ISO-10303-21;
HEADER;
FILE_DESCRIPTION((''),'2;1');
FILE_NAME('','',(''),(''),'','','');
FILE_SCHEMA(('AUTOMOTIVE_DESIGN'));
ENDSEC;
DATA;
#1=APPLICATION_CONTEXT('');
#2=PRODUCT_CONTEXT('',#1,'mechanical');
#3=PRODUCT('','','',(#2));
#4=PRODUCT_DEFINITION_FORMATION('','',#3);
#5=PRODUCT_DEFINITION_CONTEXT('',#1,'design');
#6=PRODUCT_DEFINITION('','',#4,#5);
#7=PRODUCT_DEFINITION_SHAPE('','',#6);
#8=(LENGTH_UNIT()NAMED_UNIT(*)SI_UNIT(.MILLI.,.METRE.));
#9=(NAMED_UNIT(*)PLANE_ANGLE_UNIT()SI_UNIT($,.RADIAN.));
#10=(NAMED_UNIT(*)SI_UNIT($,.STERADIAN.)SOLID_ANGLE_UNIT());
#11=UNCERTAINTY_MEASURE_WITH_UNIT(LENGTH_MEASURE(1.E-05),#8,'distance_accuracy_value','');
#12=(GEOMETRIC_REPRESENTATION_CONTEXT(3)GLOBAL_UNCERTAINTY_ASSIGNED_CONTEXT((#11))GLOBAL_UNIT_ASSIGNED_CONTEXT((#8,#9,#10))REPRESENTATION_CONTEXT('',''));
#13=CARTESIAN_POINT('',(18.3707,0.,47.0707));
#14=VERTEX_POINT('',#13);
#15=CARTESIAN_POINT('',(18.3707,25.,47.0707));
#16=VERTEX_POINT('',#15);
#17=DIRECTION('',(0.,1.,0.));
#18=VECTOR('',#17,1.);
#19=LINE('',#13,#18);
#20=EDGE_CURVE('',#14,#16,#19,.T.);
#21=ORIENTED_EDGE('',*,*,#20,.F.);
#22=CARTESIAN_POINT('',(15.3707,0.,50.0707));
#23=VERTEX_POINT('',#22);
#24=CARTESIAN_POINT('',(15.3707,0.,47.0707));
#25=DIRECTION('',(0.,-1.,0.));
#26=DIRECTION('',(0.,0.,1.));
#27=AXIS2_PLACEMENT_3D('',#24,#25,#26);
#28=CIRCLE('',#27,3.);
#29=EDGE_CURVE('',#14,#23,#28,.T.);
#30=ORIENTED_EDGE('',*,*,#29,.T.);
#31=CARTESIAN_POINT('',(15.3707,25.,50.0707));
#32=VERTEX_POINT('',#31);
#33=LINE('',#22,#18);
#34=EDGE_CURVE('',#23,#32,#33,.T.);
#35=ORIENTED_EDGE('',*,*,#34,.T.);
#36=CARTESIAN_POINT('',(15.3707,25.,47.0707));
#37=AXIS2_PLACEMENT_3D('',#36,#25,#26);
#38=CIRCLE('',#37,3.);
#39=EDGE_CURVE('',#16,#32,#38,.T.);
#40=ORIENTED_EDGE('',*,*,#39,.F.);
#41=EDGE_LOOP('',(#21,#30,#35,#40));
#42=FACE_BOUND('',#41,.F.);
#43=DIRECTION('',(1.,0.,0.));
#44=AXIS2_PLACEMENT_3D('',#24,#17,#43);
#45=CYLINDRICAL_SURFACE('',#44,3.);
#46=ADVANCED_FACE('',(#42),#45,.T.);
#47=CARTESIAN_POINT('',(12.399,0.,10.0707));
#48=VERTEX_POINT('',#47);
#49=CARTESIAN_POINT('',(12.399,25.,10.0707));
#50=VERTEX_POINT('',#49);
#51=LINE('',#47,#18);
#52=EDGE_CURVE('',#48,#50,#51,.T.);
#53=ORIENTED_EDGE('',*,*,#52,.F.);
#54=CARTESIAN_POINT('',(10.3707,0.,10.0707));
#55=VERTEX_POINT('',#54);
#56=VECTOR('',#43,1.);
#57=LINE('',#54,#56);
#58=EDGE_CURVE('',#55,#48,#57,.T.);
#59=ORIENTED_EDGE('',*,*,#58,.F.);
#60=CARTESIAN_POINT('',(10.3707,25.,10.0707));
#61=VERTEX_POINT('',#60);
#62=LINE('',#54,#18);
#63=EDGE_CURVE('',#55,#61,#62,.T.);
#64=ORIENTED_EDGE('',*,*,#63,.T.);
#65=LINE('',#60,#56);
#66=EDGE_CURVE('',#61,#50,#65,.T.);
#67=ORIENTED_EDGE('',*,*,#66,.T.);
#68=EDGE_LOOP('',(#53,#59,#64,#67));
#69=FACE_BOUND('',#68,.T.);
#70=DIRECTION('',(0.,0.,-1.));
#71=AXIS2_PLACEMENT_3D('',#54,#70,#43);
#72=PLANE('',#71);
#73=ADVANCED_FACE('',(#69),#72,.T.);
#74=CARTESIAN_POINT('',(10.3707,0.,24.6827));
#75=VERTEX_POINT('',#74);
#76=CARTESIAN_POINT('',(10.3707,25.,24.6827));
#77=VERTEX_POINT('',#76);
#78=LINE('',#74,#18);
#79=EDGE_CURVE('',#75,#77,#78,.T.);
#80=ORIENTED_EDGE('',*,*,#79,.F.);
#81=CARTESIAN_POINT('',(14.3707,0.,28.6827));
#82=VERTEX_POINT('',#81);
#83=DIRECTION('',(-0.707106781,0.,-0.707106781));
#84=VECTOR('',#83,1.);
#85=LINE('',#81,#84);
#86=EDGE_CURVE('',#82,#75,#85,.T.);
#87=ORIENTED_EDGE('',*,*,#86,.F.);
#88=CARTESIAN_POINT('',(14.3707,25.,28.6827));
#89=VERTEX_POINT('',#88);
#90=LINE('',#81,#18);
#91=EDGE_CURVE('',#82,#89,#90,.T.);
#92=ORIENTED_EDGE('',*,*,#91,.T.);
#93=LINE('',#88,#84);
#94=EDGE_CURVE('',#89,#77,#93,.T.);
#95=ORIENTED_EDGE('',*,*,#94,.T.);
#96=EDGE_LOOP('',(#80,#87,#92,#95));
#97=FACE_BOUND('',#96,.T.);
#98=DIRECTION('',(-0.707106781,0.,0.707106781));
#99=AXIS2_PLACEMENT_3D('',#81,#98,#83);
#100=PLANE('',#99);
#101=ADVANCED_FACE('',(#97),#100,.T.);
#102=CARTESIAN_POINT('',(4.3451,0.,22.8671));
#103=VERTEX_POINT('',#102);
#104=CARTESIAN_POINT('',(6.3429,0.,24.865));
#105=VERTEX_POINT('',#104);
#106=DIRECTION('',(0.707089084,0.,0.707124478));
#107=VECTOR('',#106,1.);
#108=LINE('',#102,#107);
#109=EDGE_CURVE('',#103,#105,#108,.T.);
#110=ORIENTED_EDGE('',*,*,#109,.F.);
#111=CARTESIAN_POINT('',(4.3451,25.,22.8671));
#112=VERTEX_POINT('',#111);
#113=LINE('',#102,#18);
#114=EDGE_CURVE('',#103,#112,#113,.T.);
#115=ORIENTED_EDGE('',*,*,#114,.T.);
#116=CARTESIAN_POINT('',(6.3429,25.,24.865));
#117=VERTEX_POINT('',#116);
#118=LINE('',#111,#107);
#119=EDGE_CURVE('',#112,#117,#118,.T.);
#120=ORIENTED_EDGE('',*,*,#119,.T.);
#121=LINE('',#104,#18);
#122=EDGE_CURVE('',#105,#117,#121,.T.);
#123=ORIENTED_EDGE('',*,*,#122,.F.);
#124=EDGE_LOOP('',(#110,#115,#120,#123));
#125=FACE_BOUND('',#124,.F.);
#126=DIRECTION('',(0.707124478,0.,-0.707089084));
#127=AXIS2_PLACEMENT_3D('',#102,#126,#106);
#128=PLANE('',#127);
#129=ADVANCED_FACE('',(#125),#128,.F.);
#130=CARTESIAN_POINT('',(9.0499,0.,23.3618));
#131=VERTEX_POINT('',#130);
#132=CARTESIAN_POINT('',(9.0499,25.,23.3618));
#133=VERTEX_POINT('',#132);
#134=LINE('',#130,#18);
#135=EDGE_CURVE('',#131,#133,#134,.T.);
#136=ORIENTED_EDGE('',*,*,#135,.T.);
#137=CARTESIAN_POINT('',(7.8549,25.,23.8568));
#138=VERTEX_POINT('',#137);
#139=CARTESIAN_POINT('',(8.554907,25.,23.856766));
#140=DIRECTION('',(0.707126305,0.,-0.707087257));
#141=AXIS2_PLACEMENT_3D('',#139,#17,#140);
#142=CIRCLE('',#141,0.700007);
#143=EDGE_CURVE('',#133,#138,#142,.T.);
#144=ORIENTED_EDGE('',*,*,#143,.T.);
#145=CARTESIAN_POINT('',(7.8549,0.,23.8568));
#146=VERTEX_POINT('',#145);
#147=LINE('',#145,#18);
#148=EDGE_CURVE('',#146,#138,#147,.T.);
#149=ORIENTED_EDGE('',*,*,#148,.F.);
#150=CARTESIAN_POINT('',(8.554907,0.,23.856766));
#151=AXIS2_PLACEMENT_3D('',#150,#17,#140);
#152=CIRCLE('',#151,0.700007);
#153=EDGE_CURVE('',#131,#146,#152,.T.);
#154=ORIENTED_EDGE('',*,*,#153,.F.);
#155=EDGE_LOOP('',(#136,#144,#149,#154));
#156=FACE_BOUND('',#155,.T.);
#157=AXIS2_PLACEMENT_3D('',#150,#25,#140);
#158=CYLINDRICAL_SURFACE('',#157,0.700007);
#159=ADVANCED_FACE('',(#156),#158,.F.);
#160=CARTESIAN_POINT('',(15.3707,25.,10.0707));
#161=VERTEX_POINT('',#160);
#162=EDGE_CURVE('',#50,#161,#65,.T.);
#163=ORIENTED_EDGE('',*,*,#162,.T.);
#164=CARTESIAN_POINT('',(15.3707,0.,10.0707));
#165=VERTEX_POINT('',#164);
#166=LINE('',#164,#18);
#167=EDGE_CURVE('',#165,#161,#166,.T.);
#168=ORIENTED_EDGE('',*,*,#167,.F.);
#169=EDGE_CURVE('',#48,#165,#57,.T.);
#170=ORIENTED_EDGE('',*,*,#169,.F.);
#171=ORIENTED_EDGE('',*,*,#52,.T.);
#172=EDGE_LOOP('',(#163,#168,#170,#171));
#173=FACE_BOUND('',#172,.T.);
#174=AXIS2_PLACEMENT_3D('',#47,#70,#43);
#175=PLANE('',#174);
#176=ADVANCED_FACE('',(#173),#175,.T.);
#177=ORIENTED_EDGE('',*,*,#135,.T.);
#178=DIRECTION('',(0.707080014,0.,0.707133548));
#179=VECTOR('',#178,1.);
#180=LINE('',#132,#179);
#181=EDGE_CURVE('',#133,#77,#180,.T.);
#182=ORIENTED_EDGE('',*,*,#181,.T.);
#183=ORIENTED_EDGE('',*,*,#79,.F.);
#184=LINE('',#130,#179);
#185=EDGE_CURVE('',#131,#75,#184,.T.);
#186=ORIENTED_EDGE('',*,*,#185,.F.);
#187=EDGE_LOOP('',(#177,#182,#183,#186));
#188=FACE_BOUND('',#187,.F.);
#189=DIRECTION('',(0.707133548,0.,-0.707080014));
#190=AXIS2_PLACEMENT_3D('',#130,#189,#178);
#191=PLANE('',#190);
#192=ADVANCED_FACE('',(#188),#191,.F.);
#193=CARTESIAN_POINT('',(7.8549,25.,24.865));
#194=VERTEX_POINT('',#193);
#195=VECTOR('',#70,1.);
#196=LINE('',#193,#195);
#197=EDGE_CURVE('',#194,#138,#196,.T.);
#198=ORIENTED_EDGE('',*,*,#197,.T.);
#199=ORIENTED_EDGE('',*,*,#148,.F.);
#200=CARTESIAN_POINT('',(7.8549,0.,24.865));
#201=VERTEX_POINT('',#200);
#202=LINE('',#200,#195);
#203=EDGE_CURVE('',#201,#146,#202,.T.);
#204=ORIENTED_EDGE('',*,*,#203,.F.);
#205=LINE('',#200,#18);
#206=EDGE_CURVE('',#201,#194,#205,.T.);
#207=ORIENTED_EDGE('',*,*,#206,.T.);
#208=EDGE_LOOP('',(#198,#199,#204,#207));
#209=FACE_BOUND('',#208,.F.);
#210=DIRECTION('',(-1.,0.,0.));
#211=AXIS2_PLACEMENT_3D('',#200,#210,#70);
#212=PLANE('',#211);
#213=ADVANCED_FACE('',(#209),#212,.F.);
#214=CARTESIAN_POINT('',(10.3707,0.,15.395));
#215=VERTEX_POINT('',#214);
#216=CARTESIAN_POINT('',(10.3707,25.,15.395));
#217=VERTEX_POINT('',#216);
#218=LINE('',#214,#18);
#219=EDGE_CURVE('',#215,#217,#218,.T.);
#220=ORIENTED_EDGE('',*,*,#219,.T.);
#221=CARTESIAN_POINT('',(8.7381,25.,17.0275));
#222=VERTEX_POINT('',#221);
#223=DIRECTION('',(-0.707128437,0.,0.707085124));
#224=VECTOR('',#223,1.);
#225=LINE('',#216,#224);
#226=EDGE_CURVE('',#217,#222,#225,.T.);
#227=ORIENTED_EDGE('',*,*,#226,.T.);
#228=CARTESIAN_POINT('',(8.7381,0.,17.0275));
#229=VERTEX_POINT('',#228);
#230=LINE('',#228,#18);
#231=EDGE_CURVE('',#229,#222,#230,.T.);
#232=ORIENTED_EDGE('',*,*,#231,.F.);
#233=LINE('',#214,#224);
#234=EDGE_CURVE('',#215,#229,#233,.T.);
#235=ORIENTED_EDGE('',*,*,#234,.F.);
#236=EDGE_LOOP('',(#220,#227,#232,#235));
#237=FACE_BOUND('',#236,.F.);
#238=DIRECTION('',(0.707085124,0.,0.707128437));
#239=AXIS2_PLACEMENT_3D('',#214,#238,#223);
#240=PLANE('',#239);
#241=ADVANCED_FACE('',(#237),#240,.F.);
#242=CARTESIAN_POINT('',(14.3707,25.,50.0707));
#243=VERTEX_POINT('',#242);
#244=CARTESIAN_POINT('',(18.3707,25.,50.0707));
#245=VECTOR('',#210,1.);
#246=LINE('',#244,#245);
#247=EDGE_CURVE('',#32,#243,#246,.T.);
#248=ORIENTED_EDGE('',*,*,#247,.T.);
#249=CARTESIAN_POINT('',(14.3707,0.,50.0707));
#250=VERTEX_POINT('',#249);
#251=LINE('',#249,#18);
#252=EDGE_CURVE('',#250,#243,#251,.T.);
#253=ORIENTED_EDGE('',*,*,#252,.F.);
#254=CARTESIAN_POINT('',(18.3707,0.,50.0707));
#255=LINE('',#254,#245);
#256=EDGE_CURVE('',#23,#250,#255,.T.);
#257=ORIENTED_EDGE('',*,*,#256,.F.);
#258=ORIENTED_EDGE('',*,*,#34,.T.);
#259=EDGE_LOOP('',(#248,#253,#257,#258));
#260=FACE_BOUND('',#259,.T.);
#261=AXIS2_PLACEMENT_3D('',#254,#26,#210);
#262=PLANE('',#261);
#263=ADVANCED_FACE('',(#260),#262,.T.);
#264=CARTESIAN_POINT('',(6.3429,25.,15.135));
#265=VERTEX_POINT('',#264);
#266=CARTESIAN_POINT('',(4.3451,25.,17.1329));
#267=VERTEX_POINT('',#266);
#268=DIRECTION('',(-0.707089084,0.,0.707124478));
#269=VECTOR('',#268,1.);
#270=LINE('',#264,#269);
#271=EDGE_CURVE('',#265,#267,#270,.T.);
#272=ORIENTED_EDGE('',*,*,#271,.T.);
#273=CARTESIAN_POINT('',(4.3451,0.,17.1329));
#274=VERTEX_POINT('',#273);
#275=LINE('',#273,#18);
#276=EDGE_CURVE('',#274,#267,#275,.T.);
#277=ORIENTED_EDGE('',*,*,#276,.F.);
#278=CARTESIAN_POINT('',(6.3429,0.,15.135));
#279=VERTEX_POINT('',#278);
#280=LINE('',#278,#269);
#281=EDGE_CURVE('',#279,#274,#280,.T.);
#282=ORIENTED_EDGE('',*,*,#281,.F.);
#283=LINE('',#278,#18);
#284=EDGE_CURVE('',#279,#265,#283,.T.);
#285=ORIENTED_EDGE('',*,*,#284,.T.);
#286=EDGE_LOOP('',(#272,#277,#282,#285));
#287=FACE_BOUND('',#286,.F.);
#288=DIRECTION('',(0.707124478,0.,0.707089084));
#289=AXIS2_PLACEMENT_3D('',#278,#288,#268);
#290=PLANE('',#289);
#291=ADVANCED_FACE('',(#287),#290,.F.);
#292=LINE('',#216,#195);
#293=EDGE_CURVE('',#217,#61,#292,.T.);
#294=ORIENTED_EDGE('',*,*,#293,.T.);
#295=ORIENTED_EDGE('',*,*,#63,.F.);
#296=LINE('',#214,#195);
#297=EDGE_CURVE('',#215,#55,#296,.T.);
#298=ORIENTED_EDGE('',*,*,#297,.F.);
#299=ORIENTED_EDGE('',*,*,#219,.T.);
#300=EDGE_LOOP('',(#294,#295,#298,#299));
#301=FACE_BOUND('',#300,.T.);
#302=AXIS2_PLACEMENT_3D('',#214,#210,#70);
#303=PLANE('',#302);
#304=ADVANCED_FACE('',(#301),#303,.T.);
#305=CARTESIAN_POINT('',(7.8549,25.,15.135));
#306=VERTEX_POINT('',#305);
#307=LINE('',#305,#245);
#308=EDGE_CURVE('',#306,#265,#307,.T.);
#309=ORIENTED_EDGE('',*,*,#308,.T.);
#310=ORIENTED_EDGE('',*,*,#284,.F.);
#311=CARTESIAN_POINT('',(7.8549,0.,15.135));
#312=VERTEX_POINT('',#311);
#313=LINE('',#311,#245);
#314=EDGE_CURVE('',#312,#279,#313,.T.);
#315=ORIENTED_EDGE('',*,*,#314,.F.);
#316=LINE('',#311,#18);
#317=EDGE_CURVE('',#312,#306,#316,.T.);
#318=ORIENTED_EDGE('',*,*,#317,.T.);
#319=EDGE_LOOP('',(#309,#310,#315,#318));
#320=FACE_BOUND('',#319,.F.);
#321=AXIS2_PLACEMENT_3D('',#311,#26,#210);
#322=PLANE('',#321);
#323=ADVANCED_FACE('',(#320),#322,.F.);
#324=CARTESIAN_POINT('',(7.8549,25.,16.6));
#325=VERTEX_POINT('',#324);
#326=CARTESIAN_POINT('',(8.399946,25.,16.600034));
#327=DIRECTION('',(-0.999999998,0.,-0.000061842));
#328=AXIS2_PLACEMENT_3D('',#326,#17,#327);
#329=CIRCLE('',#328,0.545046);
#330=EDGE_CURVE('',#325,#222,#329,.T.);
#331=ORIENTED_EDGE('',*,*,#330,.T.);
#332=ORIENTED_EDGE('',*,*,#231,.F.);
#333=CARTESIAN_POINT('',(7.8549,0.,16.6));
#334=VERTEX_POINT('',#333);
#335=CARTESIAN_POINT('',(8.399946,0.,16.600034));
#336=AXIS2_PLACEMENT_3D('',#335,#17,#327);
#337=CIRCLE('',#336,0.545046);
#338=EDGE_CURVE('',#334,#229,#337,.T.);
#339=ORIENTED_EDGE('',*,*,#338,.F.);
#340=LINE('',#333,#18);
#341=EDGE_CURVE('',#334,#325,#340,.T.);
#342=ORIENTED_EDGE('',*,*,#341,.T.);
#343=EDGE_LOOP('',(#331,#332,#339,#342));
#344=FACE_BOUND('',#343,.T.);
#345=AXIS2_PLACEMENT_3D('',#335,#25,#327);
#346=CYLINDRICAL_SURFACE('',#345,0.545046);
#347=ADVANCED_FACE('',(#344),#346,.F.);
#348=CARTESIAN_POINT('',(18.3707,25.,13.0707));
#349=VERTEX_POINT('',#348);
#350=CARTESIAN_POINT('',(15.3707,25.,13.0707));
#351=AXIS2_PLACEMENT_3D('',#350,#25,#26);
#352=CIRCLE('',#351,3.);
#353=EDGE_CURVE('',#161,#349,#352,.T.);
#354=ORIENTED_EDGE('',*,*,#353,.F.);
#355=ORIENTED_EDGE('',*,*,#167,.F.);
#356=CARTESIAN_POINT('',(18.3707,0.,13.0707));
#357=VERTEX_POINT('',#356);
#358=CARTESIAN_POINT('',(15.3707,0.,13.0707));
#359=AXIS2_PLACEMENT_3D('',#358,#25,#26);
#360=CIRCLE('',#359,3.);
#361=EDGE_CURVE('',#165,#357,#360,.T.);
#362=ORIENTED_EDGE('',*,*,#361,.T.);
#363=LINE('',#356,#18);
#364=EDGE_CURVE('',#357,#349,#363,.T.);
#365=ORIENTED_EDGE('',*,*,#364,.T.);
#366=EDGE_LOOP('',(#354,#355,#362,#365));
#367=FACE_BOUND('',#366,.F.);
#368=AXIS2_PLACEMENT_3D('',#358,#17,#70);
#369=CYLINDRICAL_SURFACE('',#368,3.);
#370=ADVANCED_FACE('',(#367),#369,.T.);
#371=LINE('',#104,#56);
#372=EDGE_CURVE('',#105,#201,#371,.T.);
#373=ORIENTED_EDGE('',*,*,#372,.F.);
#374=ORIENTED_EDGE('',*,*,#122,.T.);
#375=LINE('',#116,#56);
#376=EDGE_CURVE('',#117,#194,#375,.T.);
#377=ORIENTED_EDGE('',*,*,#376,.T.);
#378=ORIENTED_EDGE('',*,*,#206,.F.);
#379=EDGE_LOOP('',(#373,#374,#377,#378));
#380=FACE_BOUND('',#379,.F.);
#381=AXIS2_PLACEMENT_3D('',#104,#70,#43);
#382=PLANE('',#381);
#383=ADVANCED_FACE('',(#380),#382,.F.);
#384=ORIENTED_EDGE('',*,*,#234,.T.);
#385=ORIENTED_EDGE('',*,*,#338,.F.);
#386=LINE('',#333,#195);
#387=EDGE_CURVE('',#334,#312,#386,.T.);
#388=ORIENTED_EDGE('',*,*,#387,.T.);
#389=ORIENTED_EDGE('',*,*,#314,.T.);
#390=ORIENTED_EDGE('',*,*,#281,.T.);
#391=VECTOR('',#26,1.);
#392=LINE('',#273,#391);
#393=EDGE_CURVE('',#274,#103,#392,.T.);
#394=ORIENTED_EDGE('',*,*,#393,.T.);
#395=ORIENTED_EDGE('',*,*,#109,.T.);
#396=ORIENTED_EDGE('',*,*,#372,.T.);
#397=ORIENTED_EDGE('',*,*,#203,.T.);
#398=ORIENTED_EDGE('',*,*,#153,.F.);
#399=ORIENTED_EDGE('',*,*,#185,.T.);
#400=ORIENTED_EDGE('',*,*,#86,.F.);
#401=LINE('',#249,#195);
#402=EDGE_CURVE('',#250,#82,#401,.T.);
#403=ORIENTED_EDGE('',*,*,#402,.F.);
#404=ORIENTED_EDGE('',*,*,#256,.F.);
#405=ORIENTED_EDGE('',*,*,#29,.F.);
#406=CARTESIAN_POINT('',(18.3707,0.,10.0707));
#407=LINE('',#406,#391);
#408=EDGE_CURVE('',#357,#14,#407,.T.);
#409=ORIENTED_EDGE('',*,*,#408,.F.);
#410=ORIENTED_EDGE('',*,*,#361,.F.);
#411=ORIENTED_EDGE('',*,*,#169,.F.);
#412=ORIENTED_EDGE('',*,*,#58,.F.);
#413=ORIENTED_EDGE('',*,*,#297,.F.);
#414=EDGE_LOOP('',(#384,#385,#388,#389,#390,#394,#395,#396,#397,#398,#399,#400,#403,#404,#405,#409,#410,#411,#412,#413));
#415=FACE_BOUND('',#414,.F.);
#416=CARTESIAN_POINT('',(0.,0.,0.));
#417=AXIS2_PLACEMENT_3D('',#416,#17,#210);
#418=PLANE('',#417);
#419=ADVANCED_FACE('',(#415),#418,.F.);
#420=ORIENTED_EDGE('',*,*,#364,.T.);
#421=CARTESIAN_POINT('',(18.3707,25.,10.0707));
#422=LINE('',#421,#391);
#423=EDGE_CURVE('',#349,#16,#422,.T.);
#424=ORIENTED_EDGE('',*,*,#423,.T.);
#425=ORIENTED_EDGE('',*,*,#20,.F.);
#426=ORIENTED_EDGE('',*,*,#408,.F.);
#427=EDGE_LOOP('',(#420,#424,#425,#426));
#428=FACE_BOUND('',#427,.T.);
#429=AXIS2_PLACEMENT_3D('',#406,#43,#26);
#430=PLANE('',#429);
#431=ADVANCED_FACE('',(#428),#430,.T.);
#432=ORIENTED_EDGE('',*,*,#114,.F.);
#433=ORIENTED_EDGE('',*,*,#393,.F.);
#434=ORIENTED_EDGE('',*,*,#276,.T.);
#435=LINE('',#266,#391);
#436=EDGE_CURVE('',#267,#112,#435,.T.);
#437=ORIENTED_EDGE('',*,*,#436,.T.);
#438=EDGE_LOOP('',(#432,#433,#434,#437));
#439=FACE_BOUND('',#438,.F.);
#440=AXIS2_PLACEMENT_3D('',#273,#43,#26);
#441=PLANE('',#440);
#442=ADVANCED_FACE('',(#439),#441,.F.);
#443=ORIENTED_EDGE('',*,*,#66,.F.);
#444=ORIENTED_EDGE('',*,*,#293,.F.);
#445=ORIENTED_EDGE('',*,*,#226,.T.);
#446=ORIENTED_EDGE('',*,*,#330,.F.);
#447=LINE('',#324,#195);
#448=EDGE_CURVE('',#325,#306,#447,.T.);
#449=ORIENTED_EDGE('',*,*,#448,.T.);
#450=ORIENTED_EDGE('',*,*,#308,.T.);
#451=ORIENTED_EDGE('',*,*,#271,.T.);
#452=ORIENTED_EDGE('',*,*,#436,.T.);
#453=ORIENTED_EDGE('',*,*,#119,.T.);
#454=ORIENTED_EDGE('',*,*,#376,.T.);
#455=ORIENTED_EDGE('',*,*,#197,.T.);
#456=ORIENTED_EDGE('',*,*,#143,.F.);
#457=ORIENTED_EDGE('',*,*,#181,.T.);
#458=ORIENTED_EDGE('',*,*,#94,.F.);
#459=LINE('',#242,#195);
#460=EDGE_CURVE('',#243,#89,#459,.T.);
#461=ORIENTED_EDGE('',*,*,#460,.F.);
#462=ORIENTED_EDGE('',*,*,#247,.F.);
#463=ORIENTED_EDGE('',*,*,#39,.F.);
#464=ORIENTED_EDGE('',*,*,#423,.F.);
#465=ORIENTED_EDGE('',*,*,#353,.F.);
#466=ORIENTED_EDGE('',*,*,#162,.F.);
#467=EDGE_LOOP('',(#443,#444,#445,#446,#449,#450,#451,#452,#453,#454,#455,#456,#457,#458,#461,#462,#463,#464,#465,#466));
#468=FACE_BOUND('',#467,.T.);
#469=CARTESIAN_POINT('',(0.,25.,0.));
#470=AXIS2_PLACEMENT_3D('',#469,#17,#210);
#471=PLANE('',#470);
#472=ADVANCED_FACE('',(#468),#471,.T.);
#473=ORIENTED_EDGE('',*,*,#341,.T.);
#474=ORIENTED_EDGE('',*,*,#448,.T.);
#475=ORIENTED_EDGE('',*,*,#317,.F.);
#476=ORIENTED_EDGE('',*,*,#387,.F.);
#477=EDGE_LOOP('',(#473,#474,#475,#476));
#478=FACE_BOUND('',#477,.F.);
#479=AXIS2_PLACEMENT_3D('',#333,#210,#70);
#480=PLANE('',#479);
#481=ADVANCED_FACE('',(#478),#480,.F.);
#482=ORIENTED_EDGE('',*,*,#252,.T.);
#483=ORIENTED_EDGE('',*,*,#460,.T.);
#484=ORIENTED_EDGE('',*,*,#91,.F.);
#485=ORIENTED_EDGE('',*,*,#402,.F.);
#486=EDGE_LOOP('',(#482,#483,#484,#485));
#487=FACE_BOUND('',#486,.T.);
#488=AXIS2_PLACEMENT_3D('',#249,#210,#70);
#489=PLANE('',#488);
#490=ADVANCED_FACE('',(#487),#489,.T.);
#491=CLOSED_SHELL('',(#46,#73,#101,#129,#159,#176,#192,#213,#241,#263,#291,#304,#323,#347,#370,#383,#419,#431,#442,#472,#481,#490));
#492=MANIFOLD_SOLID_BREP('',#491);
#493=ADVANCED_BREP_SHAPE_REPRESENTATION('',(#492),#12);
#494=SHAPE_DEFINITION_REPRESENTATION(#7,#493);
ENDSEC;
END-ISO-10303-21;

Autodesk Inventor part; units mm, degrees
ref_plane "YZ Plane" through (0, 0, 0) normal (1, 0, 0) x (0, 1, 0)
ref_plane "XZ Plane" through (0, 0, 0) normal (0, 1, 0) x (-1, 0, 0)
ref_plane "XY Plane" through (0, 0, 0) normal (0, 0, 1) x (1, 0, 0)
sketch "Sketch1" plane through (0, 0, 0) normal (0, 1, 0) x (-1, 0, 0)
  line L0 (-10.3707, 15.395) -> (-8.7381, 17.0275)
  arc A0 (-7.8549, 16.6) -> (-8.7381, 17.0275) centre (-8.4, 16.6) ccw
  line L1 (-7.8549, 16.6) -> (-7.8549, 15.135)
  line L2 (-7.8549, 15.135) -> (-6.3429, 15.135)
  line L3 (-6.3429, 15.135) -> (-4.3451, 17.1329)
  line L4 (-4.3451, 17.1329) -> (-4.3451, 22.8671)
  line L5 (-4.3451, 22.8671) -> (-6.3429, 24.865)
  line L6 (-6.3429, 24.865) -> (-7.8549, 24.865)
  line L7 (-7.8549, 24.865) -> (-7.8549, 23.8568)
  arc A1 (-9.0499, 23.3618) -> (-7.8549, 23.8568) centre (-8.5549, 23.8568) ccw
  line L8 (-9.0499, 23.3618) -> (-10.3707, 24.6827)
  line L9 (-10.3707, 15.395) -> (-10.3707, 10.0707)
  line L10 (-10.3707, 10.0707) -> (-12.399, 10.0707)
  line L11 (-10.3707, 10.0707) -> (-18.3707, 10.0707)
  line L12 (-18.3707, 10.0707) -> (-18.3707, 50.0707)
  line L13 (-18.3707, 50.0707) -> (-14.3707, 50.0707)
  line L14 (-10.3707, 15.395) -> (-10.3707, 10.0707)
  line L15 (-14.3707, 50.0707) -> (-14.3707, 28.6827)
  line L16 (-14.3707, 28.6827) -> (-10.3707, 24.6827)
  line L17 (-10.3707, 24.6827) -> (-10.3707, 24.865)
  line L18 (-10.3707, 50.0707) -> (-10.3707, 28.8927)
  line L19 (-10.3707, 24.865) -> (-10.3707, 24.6827)
  point P0 (0, 0)
  point P1 (-9.0499, 23.3618)
  dimension "d5" = 40
extrude "Extrusion1" add sketch "Sketch1" along normal blind 25
sketch "Sketch3" plane through (10.3707, 0, 10.0707) normal (0, 0, -1) x (-1, 0, 0)
  point P0 (10.3707, 0)
fillet "Fillet1" radius 3 1 edges at (18.3707, 12.5, 10.0707)
fillet "Fillet2" radius 3 1 edges at (18.3707, 12.5, 50.0707)
properties part number "LED Mount"
